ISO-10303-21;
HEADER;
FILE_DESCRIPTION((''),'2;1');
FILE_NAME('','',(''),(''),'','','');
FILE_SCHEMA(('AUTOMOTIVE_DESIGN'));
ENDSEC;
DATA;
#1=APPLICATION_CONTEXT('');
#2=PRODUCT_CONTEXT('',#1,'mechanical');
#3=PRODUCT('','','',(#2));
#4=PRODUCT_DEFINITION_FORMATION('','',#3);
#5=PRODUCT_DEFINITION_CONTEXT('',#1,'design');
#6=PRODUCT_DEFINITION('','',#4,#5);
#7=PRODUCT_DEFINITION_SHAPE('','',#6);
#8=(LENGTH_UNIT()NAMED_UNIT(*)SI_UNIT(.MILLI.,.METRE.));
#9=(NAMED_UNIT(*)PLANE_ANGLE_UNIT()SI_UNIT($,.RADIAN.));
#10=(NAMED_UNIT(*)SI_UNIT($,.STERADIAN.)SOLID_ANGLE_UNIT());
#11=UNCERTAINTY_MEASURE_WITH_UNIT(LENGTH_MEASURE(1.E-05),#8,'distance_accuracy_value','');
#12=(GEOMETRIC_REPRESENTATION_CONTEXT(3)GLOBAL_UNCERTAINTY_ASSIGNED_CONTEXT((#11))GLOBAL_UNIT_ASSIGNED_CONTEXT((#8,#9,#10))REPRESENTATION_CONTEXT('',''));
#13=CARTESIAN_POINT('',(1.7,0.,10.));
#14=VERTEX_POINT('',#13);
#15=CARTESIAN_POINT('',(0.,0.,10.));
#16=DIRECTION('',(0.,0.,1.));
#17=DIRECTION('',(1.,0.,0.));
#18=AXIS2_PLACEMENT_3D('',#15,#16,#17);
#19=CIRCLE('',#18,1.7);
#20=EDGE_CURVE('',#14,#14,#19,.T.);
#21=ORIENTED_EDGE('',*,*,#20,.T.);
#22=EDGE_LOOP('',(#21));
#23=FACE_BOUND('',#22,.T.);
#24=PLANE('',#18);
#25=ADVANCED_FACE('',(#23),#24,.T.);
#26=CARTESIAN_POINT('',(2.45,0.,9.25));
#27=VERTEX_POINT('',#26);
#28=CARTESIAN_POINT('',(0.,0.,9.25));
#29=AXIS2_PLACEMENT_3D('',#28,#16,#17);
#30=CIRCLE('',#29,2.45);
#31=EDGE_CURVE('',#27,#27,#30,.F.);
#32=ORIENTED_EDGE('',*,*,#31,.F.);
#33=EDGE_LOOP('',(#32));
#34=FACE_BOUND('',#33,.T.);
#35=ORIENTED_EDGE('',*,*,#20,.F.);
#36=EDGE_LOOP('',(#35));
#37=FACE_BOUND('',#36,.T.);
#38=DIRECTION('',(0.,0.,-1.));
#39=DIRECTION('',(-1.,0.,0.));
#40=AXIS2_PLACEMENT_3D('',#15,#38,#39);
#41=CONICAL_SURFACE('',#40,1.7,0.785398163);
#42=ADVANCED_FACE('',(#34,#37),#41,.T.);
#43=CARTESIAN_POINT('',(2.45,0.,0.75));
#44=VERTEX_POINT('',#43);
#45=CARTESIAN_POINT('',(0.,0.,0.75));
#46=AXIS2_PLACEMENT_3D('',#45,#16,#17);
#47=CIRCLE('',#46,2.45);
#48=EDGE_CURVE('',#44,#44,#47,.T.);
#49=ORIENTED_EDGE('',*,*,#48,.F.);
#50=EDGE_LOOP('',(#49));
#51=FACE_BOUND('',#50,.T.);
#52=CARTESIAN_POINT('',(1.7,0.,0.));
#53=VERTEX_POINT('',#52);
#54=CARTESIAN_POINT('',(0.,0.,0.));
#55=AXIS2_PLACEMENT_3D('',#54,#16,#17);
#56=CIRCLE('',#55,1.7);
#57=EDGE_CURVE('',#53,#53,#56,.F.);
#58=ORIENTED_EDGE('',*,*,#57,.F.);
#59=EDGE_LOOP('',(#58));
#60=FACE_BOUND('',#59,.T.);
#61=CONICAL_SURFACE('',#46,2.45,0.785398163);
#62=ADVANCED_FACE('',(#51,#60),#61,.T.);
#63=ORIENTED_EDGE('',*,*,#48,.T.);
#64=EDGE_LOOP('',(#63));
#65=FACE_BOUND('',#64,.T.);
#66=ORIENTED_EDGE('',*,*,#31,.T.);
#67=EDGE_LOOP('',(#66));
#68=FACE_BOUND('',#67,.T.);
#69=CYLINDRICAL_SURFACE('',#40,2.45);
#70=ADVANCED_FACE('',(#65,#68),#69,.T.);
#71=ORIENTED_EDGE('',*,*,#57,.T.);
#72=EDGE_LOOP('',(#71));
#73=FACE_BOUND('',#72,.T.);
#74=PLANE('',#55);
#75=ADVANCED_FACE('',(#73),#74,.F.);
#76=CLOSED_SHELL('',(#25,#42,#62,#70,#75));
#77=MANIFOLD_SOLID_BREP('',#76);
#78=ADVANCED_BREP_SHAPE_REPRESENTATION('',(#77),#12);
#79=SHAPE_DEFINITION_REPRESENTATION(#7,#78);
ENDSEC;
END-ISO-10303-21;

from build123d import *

# Parameters (mm, degrees)
SKETCH1_R           = 2.45
BOSS_EXTRUDE1_DEPTH = 10
FILLET1_SIZE        = 0.75


with BuildPart() as part:
    # Sketch1 → Boss-Extrude1 (new body)
    with BuildSketch(Plane.XY):
        Circle(SKETCH1_R)
    extrude(amount=BOSS_EXTRUDE1_DEPTH)

    # Fillet1
    fillet1_edges = [part.edges().sort_by_distance(p)[0] for p in [
        (-2.45, 0, 0),
        (-2.45, 0, 10),
    ]]
    chamfer(fillet1_edges, length=FILLET1_SIZE)


solid = part.part
